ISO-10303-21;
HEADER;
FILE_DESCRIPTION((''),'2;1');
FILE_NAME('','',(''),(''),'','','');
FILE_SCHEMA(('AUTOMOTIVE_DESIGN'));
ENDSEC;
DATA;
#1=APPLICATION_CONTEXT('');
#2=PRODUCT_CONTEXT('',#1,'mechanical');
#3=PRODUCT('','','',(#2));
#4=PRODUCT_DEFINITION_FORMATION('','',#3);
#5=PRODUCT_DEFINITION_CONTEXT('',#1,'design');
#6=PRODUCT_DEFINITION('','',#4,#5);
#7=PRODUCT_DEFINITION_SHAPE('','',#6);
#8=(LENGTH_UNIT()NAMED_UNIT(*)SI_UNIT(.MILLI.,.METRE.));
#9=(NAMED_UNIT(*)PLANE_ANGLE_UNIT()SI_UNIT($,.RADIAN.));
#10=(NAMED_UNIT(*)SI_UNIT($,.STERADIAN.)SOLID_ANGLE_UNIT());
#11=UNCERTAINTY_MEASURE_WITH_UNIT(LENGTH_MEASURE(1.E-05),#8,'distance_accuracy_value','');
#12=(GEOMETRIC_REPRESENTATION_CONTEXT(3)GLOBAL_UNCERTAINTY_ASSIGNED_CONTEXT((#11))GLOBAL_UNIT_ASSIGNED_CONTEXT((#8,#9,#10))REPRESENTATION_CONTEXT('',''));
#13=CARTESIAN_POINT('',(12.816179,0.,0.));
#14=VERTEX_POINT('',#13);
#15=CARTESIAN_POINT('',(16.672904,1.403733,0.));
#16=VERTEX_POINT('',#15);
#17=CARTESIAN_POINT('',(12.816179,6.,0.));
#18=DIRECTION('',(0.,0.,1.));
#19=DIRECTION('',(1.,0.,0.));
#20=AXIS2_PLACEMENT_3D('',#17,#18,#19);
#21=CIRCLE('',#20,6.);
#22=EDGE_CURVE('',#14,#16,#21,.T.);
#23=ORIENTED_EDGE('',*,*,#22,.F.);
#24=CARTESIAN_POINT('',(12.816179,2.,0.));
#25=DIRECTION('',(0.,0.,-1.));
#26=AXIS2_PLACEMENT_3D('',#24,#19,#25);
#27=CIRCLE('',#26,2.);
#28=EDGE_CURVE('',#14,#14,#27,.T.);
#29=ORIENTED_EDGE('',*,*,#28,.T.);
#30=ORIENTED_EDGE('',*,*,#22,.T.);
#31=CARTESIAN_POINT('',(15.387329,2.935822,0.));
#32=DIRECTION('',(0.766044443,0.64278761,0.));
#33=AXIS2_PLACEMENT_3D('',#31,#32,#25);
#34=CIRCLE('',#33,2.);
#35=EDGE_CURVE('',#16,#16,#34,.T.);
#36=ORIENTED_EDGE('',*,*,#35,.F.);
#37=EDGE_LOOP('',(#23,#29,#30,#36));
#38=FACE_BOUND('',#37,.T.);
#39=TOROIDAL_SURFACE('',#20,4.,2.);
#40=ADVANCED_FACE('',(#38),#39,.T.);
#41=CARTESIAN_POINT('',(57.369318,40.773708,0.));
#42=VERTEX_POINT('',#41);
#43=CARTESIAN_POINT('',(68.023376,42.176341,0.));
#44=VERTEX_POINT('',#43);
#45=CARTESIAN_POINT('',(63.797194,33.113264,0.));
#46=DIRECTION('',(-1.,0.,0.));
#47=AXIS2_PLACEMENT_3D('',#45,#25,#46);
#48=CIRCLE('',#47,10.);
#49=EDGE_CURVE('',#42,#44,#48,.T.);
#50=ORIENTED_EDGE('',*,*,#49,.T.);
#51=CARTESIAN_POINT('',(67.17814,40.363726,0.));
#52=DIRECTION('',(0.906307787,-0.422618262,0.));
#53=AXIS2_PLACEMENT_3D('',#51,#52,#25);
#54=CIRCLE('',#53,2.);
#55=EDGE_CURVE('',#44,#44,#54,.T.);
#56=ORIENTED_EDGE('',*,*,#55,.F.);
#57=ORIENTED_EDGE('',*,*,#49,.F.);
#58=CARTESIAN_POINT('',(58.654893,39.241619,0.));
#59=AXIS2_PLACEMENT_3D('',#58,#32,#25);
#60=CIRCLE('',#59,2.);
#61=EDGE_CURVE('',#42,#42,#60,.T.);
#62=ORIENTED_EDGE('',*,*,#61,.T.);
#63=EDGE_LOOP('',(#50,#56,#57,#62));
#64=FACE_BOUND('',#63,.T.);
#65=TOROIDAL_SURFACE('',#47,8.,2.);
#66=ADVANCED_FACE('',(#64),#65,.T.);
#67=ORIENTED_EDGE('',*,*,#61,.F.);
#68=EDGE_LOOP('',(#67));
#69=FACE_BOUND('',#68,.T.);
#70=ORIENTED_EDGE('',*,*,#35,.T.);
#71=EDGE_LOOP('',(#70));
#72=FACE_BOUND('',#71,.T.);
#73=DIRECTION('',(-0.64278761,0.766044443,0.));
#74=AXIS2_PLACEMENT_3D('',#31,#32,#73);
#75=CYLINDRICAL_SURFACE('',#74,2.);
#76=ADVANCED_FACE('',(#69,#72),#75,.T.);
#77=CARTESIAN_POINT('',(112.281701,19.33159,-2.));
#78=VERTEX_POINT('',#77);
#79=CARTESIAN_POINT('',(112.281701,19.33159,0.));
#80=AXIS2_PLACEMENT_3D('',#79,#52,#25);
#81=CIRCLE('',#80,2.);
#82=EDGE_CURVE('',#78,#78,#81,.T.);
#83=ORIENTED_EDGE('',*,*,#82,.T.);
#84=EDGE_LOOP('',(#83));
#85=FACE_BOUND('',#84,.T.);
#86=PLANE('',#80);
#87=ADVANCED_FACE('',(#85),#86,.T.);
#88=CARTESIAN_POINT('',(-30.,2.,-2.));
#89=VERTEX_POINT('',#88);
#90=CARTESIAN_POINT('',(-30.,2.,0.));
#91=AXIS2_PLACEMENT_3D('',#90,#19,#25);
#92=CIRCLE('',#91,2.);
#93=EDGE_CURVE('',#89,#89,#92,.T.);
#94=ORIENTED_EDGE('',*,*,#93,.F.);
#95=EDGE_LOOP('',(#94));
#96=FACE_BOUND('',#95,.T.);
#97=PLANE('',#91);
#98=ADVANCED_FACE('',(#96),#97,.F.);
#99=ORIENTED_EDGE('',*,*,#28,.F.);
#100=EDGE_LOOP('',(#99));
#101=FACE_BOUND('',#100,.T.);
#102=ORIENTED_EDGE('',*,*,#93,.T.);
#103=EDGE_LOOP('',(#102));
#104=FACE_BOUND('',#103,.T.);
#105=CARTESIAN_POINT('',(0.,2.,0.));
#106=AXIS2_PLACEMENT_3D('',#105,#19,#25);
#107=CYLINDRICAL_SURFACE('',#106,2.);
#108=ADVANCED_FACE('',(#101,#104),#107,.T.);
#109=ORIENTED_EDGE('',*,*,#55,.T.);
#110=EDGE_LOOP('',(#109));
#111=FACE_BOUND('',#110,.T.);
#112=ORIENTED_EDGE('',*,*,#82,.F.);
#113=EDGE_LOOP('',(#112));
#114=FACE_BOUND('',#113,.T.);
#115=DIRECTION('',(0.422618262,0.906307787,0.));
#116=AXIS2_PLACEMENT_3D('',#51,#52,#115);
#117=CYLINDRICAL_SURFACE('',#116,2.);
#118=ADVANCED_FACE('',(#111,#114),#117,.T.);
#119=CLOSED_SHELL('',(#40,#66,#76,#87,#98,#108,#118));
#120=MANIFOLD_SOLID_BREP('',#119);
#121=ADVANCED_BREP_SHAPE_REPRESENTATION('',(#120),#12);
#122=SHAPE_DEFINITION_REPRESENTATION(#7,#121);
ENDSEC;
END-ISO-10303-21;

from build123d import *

# Parameters (mm, degrees)
ESQUISSE2_R        = 2
ESQUISSE2_2_R      = 2
BOSS_EXTRU_1_DEPTH = 30


with BuildPart() as part:
    # Balayage1: sweep along a path in Esquisse1
    with BuildLine(Plane.XY) as balayage1_path:
        Line((0, 0), (12.816178594, 0))
        ThreePointArc((12.816178594, 0), (14.868299454, 0.361844275), (16.672904253, 1.403733341))
        Line((16.672904253, 1.403733341), (59.940468109, 37.709530215))
        ThreePointArc((59.940468109, 37.709530215), (63.014036614, 39.061932725), (66.332903338, 38.551110279))
        Line((66.332903338, 38.551110279), (111.436464109, 17.518974481))
    # Esquisse2 → Balayage1 (sweep)
    with BuildSketch(Plane(origin=(0, 0, 0), x_dir=(0, 0, -1), z_dir=(1, 0, 0))):
        with Locations((0, 2)):
            Circle(ESQUISSE2_R)
    sweep(path=balayage1_path.line)

    # Esquisse2<2> → Boss.-Extru.1 (add)
    with BuildSketch(Plane(origin=(0, 0, 0), x_dir=(0, 0, -1), z_dir=(1, 0, 0))):
        with Locations((0, 2)):
            Circle(ESQUISSE2_2_R)
    extrude(amount=-BOSS_EXTRU_1_DEPTH)


solid = part.part
